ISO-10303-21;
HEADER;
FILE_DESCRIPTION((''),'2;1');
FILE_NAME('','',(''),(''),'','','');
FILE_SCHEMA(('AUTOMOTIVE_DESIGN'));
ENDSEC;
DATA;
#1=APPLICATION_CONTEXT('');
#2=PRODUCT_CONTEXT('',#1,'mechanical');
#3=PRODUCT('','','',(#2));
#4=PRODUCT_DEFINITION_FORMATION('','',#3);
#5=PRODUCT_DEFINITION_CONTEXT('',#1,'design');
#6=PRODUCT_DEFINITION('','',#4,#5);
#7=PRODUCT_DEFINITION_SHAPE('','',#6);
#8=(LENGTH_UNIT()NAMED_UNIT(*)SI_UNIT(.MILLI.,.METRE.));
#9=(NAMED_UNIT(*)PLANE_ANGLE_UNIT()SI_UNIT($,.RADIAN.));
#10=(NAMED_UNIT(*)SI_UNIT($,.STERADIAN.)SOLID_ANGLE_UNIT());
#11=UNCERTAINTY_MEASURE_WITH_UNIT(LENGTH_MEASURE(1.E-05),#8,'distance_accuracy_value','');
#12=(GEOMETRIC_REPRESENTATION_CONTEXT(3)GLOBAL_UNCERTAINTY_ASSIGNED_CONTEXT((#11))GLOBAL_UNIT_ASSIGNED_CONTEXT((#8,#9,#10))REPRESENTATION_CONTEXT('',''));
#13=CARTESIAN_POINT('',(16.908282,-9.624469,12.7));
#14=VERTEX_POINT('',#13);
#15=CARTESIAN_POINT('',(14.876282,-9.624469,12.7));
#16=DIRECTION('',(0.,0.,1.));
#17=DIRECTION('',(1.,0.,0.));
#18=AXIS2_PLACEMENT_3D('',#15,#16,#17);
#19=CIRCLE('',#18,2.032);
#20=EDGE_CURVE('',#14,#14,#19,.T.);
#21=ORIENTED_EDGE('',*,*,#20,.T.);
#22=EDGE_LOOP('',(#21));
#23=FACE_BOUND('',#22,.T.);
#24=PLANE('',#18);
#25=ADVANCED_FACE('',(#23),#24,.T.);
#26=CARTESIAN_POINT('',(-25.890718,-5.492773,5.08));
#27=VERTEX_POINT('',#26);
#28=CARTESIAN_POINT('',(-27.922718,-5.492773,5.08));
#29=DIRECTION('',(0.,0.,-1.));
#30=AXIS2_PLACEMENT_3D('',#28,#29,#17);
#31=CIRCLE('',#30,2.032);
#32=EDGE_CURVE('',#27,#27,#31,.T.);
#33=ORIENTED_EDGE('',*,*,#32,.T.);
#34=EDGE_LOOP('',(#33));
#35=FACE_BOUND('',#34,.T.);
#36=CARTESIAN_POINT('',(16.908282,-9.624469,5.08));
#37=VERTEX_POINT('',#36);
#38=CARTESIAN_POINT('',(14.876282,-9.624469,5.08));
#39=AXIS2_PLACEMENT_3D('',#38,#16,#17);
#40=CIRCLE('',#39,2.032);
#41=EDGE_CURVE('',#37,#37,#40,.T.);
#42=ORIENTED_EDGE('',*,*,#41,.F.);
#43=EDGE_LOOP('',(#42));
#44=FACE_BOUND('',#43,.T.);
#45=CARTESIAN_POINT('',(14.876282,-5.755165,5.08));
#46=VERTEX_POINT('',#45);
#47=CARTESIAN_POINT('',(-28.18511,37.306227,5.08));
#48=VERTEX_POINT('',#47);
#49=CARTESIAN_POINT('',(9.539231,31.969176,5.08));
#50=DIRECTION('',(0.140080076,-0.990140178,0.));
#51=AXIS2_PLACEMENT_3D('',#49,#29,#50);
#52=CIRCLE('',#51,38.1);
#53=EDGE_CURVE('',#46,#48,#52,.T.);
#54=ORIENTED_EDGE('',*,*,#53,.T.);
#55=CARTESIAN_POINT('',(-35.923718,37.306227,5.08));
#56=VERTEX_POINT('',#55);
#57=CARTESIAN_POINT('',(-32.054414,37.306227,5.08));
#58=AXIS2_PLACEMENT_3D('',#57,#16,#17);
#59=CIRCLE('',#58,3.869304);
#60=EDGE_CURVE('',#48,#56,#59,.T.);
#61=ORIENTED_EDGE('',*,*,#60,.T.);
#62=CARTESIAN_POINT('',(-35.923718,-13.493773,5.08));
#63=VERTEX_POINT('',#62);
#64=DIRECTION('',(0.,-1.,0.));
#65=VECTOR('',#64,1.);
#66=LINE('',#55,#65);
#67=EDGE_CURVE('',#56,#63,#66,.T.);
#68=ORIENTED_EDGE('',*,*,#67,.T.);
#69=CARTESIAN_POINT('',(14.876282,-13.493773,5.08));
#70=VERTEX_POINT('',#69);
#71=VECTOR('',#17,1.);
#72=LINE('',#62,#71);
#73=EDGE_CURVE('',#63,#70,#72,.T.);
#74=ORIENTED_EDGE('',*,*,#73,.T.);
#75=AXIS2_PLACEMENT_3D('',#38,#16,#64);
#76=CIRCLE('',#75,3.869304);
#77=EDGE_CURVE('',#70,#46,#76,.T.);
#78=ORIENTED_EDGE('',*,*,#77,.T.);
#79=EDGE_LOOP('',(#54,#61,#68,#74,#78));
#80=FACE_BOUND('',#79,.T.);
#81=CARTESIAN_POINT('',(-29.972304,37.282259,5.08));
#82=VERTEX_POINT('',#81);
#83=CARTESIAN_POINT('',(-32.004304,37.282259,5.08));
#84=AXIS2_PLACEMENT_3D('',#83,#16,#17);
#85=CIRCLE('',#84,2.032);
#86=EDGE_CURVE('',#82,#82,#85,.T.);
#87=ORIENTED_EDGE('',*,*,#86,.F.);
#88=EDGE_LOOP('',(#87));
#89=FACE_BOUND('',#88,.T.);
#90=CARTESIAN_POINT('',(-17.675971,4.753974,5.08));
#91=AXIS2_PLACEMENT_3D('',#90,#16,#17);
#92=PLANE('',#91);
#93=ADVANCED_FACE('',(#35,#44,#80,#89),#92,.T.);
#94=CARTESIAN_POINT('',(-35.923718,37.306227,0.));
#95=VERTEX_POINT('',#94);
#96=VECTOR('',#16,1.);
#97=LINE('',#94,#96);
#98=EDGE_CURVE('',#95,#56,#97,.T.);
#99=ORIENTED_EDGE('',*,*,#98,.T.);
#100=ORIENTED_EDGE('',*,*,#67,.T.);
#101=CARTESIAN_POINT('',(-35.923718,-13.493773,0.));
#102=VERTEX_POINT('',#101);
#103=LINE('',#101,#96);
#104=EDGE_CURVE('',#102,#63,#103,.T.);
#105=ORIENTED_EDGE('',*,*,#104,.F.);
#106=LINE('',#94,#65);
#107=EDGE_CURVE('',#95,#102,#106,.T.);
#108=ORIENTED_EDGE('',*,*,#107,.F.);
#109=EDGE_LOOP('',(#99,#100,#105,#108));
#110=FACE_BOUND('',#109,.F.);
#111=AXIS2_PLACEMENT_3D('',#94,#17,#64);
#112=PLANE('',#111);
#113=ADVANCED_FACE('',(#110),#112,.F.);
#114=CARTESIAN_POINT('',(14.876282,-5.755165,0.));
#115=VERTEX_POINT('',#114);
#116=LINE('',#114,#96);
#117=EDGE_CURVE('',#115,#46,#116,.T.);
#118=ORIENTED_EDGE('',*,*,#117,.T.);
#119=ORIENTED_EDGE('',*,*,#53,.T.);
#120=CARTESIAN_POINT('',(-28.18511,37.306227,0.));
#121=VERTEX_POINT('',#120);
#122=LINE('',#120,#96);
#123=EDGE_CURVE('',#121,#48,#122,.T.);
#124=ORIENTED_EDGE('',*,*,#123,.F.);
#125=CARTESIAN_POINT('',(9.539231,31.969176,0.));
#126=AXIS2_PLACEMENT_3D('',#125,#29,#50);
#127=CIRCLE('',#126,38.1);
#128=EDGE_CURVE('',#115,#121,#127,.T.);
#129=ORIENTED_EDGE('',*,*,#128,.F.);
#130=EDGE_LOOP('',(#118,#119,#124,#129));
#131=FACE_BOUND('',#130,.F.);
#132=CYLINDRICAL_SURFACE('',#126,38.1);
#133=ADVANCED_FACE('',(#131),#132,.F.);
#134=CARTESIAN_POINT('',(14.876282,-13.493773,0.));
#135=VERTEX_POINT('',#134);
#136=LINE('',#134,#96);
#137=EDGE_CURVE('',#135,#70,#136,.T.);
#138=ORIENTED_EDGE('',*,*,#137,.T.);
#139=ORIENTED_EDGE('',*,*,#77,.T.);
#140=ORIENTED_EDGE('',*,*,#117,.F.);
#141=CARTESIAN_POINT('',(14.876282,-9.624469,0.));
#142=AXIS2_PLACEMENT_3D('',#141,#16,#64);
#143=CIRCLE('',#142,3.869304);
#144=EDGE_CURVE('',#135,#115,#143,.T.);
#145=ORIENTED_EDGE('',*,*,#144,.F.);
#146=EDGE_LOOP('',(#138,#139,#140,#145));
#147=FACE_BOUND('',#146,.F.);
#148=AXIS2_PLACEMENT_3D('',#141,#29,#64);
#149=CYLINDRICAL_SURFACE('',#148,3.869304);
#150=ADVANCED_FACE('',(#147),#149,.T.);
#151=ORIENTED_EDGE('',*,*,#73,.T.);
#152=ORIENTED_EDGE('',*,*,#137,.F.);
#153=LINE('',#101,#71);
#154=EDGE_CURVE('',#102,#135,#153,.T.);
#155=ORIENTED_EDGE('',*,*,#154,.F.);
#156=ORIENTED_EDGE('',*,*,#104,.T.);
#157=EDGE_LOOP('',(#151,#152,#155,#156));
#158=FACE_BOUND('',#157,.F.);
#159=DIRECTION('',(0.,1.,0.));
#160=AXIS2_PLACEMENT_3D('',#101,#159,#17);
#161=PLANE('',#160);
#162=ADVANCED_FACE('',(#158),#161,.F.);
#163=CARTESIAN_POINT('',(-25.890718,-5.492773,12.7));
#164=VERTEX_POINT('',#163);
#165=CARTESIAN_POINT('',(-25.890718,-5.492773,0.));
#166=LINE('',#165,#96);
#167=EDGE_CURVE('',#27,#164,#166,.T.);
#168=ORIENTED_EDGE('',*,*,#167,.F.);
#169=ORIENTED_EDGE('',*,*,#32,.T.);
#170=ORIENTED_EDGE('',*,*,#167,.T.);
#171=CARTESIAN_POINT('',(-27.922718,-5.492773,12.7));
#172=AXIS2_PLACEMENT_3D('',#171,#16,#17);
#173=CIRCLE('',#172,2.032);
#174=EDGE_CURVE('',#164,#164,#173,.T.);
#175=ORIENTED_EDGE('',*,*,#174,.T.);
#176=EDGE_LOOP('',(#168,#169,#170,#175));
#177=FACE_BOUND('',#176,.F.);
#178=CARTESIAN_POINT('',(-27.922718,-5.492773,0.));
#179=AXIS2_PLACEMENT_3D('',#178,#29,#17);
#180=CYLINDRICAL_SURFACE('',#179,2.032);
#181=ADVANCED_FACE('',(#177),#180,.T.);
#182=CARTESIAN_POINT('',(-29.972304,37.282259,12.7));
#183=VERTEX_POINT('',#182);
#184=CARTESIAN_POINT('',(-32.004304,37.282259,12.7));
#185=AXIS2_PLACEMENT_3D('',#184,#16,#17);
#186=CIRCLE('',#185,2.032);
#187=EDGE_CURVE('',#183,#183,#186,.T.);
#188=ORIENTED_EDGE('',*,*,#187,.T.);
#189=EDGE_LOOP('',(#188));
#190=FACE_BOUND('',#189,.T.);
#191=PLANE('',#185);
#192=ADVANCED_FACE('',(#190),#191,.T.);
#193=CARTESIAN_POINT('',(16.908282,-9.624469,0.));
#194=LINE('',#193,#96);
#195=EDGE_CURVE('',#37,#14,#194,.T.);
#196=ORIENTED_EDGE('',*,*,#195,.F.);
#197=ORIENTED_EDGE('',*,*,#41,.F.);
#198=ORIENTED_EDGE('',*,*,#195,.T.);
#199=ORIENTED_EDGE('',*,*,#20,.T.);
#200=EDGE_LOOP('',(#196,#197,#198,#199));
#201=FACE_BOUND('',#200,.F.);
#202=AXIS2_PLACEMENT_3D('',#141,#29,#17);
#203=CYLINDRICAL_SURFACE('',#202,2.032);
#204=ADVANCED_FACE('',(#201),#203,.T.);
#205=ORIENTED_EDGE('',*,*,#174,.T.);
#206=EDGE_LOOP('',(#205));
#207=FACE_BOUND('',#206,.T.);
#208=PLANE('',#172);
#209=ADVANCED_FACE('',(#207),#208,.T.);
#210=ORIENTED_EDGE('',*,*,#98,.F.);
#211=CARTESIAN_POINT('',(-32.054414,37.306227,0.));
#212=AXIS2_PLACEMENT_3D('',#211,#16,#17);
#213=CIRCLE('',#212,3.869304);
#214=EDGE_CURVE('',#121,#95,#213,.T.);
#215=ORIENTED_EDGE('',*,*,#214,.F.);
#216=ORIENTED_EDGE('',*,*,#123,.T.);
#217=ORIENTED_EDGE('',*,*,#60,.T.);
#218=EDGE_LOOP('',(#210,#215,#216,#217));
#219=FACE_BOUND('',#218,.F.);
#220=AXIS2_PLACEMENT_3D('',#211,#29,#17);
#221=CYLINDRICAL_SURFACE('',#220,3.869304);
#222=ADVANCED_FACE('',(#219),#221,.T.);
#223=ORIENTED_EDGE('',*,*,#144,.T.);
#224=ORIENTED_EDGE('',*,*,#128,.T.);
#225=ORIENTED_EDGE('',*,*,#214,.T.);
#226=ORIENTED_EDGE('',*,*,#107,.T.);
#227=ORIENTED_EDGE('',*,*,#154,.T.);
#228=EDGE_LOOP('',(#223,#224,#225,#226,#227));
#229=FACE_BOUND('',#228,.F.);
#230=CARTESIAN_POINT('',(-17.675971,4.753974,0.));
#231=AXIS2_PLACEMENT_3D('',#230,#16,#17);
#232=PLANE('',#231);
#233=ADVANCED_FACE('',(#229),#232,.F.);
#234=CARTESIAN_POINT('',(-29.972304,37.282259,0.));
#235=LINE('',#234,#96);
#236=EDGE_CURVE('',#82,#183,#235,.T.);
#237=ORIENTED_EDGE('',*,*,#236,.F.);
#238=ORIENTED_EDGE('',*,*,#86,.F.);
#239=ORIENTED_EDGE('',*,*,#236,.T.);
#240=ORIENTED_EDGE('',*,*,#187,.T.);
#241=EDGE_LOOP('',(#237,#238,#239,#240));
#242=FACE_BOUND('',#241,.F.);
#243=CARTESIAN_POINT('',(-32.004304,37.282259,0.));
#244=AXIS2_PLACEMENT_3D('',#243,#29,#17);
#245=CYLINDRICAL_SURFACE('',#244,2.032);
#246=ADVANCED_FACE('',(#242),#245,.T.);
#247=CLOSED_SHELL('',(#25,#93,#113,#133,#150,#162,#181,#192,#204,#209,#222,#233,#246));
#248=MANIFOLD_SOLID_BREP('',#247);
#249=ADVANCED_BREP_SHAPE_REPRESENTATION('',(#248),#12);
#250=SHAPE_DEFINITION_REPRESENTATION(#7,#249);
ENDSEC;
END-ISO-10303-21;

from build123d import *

# Parameters (mm, degrees)
F0_R     = 2.032
F1_DEPTH = 5.08
F2_DEPTH = 12.7


with BuildPart() as f1:
    # F0 (on Top) → F1 (new body)
    with BuildSketch(Plane.XY):
        with BuildLine():
            ThreePointArc((-28.18511, 37.306227), (-32.054414, 41.175531), (-35.923718, 37.306227))
            Line((-35.923718, 37.306227), (-35.923718, -13.493773))
            Line((-35.923718, -13.493773), (14.876282, -13.493773))
            ThreePointArc((14.876282, -13.493773), (18.745586, -9.624469), (14.876282, -5.755165))
            ThreePointArc((14.876282, -5.755165), (-17.401538, 5.028408), (-28.18511, 37.306227))
        make_face()
        with BuildLine():
            ThreePointArc((-29.954718, -5.492773), (-27.922718, -3.460773), (-25.890718, -5.492773))
            ThreePointArc((-25.890718, -5.492773), (-27.922718, -7.524773), (-29.954718, -5.492773))
        make_face(mode=Mode.SUBTRACT)
        with Locations((14.876282, -9.624469)):
            Circle(F0_R, mode=Mode.SUBTRACT)
        with Locations((-32.004304, 37.282259)):
            Circle(F0_R, mode=Mode.SUBTRACT)
    extrude(amount=F1_DEPTH)

    # F0 (on Top) → F2 (join)
    with BuildSketch(Plane.XY):
        with BuildLine():
            ThreePointArc((-29.954718, -5.492773), (-27.922718, -7.524773), (-25.890718, -5.492773))
            ThreePointArc((-25.890718, -5.492773), (-27.922718, -3.460773), (-29.954718, -5.492773))
        make_face()
        with Locations((-32.004304, 37.282259)):
            Circle(F0_R)
        with Locations((14.876282, -9.624469)):
            Circle(F0_R)
    extrude(amount=F2_DEPTH)


solid = f1.part
